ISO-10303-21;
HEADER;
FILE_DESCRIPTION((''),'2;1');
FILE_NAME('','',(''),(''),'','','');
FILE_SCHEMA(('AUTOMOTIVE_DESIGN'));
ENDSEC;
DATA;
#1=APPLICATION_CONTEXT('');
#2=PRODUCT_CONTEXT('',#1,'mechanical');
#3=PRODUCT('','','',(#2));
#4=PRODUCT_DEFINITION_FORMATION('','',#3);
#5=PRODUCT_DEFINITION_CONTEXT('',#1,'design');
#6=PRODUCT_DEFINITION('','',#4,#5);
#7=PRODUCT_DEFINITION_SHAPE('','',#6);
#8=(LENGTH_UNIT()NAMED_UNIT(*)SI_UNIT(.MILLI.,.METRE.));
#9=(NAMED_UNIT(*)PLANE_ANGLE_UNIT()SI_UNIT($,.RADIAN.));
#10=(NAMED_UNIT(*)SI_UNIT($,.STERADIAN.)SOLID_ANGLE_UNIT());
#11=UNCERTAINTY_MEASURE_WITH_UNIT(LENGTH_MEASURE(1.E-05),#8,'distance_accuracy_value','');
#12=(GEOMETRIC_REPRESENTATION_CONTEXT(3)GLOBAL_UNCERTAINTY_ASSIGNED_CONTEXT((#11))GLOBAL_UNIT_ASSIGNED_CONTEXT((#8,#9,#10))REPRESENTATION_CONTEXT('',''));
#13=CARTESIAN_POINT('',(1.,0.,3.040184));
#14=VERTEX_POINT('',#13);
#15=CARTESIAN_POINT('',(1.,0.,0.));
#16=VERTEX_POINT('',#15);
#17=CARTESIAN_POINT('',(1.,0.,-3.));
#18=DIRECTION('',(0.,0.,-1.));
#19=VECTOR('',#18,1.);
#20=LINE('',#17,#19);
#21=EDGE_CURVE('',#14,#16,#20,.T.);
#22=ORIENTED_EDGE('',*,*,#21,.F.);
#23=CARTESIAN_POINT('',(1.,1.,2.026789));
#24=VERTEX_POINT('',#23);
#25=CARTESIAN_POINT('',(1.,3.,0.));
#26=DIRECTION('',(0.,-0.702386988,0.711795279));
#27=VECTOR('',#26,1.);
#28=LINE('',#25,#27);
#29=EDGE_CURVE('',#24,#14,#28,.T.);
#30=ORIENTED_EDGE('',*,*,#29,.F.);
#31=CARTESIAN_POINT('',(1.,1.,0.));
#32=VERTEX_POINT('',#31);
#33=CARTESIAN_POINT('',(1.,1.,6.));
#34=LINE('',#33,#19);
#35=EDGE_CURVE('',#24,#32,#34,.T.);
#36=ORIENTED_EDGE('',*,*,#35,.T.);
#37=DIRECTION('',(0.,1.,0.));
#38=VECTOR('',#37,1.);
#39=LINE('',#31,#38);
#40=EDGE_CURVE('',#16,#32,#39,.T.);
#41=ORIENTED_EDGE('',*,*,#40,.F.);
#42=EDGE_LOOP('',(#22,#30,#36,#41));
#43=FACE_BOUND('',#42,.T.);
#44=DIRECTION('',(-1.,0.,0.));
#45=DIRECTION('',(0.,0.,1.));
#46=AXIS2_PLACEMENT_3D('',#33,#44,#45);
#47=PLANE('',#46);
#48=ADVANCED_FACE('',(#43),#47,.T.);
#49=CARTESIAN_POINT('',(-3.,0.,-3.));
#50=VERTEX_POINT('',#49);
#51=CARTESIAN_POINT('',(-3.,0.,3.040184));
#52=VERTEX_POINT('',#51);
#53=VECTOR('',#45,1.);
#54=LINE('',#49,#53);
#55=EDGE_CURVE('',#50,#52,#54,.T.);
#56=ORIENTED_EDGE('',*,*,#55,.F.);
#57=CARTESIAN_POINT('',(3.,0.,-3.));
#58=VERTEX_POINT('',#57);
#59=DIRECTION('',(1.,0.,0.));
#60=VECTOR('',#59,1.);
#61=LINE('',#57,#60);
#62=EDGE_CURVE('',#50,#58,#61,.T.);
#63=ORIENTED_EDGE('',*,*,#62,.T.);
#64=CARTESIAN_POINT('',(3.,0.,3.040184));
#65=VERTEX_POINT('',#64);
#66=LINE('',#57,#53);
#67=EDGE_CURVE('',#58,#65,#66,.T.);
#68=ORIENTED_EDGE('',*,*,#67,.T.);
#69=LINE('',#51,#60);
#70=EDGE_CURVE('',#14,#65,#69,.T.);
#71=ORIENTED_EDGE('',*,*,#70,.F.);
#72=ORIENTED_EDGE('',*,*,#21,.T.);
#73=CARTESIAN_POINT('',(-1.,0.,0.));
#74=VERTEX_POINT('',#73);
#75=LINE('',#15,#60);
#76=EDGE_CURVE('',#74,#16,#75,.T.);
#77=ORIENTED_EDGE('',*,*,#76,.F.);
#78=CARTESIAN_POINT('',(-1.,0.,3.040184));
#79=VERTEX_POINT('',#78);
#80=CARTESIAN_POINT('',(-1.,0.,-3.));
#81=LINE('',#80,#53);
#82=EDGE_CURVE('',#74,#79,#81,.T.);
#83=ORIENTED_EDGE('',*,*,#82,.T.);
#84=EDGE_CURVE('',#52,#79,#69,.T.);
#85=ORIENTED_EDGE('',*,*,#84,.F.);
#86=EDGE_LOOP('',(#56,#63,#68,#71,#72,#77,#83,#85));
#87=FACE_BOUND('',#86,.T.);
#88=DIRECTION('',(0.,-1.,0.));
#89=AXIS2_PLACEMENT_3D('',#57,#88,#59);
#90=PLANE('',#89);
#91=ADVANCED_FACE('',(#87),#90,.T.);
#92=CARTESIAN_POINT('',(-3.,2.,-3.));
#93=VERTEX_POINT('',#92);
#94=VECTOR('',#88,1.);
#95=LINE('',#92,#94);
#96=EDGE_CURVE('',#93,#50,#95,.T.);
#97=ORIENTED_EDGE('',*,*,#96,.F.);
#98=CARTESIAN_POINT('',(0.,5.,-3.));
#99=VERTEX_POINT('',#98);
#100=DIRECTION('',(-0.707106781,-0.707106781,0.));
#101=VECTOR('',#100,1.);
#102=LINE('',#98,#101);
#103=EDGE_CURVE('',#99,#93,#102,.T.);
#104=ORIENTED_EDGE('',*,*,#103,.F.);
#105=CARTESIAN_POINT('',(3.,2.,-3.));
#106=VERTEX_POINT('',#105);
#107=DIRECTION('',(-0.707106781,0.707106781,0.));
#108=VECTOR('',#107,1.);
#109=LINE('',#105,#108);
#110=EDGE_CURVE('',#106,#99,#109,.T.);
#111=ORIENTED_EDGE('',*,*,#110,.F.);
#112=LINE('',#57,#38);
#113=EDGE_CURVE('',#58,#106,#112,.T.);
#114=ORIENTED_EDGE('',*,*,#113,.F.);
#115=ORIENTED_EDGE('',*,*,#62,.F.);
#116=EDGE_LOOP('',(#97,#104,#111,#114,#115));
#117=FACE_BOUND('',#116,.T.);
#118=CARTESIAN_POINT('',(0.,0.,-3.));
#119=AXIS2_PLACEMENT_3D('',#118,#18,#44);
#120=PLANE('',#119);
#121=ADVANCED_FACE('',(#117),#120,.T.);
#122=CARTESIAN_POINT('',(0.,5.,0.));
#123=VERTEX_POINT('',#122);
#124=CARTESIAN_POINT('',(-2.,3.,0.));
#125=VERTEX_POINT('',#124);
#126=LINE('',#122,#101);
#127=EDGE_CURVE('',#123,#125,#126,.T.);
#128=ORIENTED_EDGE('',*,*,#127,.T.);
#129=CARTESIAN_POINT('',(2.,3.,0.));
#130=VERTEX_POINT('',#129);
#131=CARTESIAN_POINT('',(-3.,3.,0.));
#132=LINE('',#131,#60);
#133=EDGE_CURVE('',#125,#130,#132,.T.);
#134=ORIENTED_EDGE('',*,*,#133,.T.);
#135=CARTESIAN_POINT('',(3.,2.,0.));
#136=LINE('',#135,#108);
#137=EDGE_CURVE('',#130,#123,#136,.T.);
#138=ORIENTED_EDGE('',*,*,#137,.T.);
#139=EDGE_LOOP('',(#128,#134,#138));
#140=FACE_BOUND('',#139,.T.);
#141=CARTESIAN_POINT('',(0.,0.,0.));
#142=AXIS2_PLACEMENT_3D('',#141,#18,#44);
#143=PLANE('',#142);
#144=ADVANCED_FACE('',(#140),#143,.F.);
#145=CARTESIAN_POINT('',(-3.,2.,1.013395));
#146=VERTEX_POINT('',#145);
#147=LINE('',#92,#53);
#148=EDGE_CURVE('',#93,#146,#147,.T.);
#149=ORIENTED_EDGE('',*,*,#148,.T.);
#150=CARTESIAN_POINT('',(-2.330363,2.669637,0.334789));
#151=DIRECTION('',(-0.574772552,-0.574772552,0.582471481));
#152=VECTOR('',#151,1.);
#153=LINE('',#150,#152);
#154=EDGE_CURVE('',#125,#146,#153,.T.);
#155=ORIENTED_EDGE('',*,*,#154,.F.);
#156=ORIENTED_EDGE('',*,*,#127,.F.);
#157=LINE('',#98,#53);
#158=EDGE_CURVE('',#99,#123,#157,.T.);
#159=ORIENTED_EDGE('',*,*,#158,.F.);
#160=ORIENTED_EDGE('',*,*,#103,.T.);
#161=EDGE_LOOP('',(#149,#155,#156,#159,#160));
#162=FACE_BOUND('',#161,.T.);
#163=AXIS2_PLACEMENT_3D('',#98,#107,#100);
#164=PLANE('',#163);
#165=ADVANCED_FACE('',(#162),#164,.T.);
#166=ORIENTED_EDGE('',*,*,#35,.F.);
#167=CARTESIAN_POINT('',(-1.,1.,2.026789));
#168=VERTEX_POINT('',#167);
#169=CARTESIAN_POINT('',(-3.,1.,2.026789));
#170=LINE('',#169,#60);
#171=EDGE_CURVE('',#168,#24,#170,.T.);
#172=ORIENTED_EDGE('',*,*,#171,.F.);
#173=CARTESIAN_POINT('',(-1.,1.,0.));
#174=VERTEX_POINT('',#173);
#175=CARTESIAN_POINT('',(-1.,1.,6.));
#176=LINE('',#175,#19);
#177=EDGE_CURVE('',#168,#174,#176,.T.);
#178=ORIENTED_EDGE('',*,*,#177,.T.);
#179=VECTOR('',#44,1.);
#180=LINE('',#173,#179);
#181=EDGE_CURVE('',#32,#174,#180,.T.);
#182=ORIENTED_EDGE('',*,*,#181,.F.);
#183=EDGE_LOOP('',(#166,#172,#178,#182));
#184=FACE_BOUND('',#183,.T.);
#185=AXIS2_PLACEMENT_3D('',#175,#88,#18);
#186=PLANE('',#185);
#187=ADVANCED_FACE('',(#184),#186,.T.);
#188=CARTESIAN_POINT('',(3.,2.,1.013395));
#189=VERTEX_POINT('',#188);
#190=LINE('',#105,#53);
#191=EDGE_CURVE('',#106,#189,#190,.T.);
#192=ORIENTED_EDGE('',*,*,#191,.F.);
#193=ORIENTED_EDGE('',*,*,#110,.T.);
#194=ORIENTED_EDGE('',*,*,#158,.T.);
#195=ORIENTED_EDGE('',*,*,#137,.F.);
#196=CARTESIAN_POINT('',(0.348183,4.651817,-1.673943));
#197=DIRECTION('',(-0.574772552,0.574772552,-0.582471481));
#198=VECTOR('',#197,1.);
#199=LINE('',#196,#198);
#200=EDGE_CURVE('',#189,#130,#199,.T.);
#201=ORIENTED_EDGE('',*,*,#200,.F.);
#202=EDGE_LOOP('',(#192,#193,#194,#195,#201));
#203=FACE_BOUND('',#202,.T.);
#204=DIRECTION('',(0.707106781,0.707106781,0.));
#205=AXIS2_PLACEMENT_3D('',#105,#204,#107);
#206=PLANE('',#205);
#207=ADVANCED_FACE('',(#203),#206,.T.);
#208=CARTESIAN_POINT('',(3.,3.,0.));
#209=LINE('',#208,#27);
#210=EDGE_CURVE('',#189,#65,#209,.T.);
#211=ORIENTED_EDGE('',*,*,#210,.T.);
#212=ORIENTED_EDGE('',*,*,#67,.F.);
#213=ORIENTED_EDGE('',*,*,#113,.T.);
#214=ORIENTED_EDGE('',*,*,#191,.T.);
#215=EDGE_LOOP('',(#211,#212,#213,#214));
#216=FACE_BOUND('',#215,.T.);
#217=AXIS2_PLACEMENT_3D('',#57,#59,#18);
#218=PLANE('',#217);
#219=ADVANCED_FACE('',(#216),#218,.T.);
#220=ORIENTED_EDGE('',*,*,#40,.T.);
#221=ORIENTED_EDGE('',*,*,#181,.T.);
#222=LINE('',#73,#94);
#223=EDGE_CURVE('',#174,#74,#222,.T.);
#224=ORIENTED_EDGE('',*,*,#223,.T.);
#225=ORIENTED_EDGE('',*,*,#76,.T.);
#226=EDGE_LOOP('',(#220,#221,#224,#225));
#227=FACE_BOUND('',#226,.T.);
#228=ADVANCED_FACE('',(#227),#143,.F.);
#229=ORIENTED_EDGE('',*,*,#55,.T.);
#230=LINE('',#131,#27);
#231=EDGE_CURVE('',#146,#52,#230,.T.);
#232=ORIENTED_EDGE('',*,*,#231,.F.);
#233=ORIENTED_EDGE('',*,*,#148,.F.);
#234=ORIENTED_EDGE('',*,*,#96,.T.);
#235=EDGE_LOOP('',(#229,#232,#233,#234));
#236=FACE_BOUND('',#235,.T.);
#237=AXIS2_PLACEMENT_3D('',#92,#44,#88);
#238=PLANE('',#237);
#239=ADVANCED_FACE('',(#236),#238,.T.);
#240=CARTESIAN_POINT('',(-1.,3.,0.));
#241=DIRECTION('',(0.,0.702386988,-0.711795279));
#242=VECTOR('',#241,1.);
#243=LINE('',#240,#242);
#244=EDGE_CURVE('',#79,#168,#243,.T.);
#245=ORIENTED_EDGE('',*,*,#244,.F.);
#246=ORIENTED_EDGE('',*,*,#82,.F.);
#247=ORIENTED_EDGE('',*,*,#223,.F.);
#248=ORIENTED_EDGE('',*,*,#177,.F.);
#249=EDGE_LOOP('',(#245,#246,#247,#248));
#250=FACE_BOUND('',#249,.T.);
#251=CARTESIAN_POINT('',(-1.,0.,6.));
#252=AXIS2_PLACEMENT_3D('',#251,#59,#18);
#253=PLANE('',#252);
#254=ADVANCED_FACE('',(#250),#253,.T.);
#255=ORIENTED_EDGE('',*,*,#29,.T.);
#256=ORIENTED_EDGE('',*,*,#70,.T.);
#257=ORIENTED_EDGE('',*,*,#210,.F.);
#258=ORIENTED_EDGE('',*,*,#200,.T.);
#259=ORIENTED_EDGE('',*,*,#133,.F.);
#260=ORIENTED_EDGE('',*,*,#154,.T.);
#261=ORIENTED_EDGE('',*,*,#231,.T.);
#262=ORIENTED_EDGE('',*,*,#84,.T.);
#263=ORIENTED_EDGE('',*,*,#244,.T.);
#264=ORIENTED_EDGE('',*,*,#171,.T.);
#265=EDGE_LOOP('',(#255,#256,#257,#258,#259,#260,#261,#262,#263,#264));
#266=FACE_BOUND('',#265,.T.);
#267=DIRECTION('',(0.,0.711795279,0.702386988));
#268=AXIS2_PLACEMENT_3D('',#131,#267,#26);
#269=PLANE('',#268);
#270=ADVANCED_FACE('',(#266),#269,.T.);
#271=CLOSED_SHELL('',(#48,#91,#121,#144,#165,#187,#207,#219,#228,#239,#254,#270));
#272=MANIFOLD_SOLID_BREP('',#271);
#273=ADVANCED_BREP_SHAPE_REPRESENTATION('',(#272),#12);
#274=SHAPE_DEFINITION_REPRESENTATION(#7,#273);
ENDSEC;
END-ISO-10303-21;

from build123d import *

# Parameters (mm, degrees)
BOSS_EXTRUDE1_DEPTH = 3
BOSS_EXTRUDE2_DEPTH = 6
SKETCH3_W           = 2
SKETCH3_H           = 1
CUT_EXTRUDE1_DEPTH  = 6


with BuildPart() as part:
    # Sketch1 → Boss-Extrude1 (new body)
    with BuildSketch(Plane.XY):
        Polygon((3, 0), (-3, 0), (-3, 2), (0, 5), (3, 2), align=None)
    extrude(amount=-BOSS_EXTRUDE1_DEPTH)

    # Sketch2 → Boss-Extrude2 (add)
    with BuildSketch(Plane(origin=(3, 0, 0), x_dir=(0, 0, -1), z_dir=(1, 0, 0))):
        Polygon((0, 3), (-3.04018422, 0), (0, 0), align=None)
    extrude(amount=-BOSS_EXTRUDE2_DEPTH)

    # Sketch3 → Cut-Extrude1 (cut)
    with BuildSketch(Plane.XY):
        Polygon((-2, 3), (-3, 2), (-3, 3), align=None)
        Polygon((2, 3), (3, 2), (3, 3), align=None)
        with Locations((0, 0.5)):
            Rectangle(SKETCH3_W, SKETCH3_H)
    extrude(amount=CUT_EXTRUDE1_DEPTH, mode=Mode.SUBTRACT)


solid = part.part
